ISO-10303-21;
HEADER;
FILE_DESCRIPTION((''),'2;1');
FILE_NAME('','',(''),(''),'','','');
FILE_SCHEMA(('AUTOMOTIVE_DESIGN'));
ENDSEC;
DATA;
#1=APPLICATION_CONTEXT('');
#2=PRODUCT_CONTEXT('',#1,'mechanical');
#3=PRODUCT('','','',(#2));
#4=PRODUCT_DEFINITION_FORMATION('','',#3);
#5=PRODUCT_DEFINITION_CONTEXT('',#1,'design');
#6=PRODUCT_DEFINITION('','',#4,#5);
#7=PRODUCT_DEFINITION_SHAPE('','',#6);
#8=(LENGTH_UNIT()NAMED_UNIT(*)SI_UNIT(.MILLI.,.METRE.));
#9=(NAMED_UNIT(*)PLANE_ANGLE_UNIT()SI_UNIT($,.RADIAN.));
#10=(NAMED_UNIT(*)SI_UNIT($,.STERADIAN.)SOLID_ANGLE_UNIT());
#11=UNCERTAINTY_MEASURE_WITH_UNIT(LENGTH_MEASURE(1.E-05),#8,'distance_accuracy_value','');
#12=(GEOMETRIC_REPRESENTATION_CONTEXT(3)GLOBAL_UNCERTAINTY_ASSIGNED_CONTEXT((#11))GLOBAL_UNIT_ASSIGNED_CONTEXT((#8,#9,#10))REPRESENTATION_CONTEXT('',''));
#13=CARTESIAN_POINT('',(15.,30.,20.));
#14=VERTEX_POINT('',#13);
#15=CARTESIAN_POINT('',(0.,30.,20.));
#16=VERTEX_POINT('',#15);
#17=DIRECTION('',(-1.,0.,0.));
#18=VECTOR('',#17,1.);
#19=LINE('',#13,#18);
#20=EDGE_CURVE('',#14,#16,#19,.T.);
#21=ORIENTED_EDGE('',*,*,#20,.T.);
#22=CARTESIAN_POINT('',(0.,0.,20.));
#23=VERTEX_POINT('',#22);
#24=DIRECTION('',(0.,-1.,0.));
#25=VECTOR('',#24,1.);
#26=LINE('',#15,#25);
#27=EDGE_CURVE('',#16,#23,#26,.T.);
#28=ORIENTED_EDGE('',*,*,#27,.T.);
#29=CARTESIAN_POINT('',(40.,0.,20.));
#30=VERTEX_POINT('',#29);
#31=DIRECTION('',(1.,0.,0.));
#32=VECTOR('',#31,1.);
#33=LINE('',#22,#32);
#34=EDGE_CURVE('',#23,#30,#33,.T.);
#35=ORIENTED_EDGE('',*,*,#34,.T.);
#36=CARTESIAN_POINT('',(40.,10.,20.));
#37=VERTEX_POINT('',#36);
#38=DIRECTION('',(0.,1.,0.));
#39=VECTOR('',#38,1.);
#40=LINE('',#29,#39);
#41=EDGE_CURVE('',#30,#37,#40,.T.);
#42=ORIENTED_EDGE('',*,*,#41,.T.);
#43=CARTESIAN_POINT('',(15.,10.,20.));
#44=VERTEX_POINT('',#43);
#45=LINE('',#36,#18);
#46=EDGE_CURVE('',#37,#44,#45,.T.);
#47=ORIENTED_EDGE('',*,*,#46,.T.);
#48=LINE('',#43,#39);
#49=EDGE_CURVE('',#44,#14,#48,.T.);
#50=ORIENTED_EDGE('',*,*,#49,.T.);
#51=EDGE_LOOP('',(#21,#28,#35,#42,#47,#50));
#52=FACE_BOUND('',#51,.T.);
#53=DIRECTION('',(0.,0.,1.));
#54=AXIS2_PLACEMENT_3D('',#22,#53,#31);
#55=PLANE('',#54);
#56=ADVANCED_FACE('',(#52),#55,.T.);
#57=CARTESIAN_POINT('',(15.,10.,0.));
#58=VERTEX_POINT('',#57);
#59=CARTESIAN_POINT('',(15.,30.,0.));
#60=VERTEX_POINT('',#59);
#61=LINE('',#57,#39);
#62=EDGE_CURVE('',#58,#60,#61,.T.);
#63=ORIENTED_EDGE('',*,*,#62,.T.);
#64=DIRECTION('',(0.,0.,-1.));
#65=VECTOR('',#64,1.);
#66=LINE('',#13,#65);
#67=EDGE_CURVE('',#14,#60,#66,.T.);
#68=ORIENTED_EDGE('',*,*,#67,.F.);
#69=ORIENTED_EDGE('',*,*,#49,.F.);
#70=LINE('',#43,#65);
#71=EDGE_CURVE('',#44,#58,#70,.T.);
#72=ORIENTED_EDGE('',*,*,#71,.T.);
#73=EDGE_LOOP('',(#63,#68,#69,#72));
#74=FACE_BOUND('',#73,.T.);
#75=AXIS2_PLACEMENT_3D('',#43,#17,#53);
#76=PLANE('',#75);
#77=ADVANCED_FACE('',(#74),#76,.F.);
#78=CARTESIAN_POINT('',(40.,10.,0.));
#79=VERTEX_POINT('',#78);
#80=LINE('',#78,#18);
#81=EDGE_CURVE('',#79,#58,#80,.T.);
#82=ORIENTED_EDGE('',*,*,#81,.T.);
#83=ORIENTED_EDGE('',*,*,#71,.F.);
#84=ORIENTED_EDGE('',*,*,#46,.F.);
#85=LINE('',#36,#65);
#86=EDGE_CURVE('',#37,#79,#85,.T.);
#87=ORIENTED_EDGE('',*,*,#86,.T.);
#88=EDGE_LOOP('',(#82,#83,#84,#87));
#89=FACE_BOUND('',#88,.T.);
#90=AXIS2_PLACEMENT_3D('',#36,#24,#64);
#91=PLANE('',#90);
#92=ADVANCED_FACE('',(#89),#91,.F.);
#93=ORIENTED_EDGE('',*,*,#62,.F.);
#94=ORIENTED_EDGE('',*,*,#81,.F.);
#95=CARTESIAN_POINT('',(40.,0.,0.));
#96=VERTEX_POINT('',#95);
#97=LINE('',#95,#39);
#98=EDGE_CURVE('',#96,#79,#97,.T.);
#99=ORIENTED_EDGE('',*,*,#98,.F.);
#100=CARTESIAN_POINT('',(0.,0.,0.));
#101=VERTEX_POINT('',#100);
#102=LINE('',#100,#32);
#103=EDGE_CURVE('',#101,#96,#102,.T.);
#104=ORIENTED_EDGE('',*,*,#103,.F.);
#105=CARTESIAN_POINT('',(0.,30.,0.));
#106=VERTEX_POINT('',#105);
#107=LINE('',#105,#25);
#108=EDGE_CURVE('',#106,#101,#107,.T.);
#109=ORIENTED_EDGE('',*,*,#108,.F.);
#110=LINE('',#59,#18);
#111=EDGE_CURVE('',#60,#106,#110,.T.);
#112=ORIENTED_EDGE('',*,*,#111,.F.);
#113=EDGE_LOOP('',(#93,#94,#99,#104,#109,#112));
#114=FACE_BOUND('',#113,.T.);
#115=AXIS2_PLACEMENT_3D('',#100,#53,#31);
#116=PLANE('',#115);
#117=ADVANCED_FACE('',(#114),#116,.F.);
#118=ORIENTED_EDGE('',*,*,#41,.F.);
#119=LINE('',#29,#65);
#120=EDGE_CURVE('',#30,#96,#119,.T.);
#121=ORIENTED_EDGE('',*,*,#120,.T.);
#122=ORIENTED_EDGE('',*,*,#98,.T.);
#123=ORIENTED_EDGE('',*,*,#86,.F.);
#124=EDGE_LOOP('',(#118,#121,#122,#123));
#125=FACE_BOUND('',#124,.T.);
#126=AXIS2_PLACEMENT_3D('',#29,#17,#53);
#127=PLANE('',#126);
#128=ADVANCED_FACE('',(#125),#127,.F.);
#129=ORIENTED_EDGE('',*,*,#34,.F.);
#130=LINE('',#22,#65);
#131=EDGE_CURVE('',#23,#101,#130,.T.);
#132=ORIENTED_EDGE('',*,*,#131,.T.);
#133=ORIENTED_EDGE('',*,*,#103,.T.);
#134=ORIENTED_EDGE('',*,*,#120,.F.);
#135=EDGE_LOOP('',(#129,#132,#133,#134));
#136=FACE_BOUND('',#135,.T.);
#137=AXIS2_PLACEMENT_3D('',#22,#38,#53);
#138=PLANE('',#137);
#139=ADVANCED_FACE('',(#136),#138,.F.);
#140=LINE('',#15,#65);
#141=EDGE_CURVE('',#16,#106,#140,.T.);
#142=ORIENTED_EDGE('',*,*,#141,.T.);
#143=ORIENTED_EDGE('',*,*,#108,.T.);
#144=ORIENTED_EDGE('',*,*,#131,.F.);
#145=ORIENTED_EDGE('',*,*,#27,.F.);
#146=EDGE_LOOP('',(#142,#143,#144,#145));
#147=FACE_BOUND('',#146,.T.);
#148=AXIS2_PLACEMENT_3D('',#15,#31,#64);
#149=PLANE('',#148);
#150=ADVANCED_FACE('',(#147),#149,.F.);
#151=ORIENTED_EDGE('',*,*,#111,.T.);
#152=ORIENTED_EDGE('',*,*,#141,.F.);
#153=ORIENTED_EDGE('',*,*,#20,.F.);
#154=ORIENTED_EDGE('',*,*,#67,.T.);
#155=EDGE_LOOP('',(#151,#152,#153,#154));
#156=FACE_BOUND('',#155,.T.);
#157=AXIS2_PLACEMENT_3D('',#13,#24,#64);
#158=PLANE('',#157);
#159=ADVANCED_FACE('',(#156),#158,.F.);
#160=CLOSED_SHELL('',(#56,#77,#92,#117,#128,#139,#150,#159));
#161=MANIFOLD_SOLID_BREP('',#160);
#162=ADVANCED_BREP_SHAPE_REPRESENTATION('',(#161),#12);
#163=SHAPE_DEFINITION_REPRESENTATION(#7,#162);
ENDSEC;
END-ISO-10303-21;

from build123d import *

# Parameters (mm, degrees)
FEATURE_BASE_DEPTH = 20


with BuildPart() as part:
    # sketch:main-profile → feature:base (new body)
    with BuildSketch(Plane.XY):
        Polygon((0, 0), (40, 0), (40, 10), (15, 10), (15, 30), (0, 30), align=None)
    extrude(amount=FEATURE_BASE_DEPTH)


solid = part.part
